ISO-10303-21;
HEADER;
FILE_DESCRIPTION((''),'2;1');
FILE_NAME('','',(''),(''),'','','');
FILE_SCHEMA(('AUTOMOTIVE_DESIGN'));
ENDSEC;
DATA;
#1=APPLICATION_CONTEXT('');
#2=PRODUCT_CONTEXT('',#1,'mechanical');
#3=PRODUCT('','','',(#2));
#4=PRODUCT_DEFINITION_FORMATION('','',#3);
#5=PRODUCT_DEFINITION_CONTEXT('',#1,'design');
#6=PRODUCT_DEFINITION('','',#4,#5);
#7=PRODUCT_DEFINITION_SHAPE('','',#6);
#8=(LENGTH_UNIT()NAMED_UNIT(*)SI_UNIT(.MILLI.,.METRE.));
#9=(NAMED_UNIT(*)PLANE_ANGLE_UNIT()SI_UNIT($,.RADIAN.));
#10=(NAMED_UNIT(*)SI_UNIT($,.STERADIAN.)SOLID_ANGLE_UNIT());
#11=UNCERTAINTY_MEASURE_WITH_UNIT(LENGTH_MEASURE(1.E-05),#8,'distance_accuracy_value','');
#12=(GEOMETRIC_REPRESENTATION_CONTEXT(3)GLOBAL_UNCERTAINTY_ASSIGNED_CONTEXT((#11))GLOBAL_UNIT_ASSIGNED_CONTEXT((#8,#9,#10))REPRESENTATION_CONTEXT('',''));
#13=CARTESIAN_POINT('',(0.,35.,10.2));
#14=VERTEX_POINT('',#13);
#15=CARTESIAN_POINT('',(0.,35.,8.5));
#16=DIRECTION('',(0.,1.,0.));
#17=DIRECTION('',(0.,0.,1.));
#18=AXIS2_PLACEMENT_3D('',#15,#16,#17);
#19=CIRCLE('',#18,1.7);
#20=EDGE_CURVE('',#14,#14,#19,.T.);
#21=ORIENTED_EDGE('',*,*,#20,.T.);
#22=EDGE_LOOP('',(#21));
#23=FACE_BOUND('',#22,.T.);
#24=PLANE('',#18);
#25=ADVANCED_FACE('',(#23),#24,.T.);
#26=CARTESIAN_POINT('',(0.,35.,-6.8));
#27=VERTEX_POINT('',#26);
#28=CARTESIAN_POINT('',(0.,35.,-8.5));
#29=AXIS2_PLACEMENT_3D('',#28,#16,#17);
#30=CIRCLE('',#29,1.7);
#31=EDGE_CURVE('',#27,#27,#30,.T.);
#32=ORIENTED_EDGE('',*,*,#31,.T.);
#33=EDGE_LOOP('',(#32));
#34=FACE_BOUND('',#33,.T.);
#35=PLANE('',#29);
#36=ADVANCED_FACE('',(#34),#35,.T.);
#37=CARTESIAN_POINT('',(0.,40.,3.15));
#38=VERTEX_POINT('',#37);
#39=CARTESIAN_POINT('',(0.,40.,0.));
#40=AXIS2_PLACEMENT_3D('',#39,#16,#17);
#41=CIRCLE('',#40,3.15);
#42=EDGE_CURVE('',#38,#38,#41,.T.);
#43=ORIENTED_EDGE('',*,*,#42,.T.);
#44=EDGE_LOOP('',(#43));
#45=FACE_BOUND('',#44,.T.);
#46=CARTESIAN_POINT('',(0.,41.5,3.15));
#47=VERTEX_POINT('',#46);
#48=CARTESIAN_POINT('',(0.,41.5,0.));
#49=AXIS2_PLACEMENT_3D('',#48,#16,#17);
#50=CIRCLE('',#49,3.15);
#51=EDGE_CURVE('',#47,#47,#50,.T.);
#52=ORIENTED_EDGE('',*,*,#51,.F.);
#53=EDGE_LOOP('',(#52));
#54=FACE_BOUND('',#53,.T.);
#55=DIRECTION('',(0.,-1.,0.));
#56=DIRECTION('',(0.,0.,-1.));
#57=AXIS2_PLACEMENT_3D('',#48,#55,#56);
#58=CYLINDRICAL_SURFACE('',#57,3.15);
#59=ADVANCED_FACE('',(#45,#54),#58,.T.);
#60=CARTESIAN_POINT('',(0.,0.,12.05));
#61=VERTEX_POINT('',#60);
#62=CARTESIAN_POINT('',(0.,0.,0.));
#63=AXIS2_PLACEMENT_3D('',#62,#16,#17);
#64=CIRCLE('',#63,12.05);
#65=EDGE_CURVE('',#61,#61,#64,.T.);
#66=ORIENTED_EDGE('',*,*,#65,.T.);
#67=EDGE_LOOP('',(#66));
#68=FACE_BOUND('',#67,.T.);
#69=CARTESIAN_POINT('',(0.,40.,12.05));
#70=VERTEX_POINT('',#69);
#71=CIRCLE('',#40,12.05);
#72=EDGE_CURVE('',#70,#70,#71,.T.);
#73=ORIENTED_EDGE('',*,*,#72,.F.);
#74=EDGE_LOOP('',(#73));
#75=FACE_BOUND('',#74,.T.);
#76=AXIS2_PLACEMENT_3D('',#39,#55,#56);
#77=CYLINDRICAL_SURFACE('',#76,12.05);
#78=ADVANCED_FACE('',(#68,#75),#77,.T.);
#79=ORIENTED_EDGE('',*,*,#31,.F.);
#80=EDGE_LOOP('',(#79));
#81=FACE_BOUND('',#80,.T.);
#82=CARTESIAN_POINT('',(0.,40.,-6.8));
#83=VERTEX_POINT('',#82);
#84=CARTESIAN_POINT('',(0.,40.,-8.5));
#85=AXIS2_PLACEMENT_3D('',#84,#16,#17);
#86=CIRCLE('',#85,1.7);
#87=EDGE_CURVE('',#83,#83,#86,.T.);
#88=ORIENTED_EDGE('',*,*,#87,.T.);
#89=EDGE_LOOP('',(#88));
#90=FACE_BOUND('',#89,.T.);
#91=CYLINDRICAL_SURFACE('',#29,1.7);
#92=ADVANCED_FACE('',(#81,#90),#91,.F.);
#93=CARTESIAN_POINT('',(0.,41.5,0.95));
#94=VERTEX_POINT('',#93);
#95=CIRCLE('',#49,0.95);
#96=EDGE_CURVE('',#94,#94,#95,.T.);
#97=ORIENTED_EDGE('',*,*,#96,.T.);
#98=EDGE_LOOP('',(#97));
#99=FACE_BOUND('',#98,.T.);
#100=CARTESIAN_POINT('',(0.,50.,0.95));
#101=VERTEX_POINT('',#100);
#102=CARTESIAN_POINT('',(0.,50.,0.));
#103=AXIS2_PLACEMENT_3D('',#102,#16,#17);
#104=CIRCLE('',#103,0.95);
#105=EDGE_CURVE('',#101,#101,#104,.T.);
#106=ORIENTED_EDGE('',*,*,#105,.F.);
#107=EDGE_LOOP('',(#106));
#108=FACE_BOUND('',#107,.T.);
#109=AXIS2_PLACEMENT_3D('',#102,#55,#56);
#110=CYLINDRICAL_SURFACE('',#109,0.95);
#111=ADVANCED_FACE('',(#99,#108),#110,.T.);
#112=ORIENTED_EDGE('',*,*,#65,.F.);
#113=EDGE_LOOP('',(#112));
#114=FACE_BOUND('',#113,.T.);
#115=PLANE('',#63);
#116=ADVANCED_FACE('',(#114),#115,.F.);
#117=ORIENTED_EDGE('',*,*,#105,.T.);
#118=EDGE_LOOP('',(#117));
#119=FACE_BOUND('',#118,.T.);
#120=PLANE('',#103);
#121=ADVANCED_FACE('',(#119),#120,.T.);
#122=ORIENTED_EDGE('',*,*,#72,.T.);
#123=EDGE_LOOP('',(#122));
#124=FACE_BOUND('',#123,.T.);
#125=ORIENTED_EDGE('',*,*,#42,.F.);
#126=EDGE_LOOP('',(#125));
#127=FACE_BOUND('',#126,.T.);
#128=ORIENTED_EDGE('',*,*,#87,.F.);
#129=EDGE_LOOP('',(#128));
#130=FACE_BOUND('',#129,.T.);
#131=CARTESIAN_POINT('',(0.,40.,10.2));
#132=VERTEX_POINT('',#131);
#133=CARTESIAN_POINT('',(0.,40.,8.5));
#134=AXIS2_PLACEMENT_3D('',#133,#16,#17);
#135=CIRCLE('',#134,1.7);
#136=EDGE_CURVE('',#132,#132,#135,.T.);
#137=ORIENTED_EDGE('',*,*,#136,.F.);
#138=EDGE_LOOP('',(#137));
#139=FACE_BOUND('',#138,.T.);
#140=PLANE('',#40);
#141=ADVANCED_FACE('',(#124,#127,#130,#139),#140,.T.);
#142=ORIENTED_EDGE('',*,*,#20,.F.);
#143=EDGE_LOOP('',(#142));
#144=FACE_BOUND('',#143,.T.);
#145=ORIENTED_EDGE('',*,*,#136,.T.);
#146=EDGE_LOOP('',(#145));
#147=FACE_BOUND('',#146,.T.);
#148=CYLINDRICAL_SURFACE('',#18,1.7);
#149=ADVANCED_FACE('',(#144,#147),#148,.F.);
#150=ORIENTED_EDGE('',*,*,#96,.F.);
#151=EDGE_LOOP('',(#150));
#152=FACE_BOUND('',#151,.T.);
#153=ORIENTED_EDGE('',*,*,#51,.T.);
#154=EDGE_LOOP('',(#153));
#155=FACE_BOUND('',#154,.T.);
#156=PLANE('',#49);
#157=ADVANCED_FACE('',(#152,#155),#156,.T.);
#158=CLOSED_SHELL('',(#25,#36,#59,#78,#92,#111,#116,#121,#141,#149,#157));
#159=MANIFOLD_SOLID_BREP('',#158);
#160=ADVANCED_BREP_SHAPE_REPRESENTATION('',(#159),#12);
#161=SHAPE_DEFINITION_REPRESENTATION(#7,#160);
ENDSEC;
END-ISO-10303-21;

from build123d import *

# Parameters (mm, degrees)
SKETCH1_R           = 12.05
BOSS_EXTRUDE1_DEPTH = 40
SKETCH2_R           = 3.15
BOSS_EXTRUDE2_DEPTH = 1.5
SKETCH3_R           = 0.95
BOSS_EXTRUDE3_DEPTH = 8.5
SKETCH4_R           = 1.7
CUT_EXTRUDE1_DEPTH  = 5


with BuildPart() as part:
    # Sketch1 → Boss-Extrude1 (new body)
    with BuildSketch(Plane(origin=(0, 0, 0), x_dir=(1, 0, 0), z_dir=(0, 1, 0))):
        with Locations(Location((0, 0, 0), (0, 0, 270))):
            Circle(SKETCH1_R)
    extrude(amount=BOSS_EXTRUDE1_DEPTH)

    # Sketch2 → Boss-Extrude2 (add)
    with BuildSketch(Plane(origin=(0, 40, 0), x_dir=(1, 0, 0), z_dir=(0, 1, 0))):
        with Locations(Location((0, 0, 0), (0, 0, 270))):
            Circle(SKETCH2_R)
    extrude(amount=BOSS_EXTRUDE2_DEPTH)

    # Sketch3 → Boss-Extrude3 (add)
    with BuildSketch(Plane(origin=(0, 41.5, 0), x_dir=(1, 0, 0), z_dir=(0, 1, 0))):
        with Locations(Location((0, 0, 0), (0, 0, 270))):
            Circle(SKETCH3_R)
    extrude(amount=BOSS_EXTRUDE3_DEPTH)

    # Sketch4 → Cut-Extrude1 (cut)
    with BuildSketch(Plane(origin=(0, 40, 0), x_dir=(1, 0, 0), z_dir=(0, 1, 0))):
        with Locations(Location((0, 8.5, 0), (0, 0, 270))):
            Circle(SKETCH4_R)
        with Locations(Location((0, -8.5, 0), (0, 0, 270))):
            Circle(SKETCH4_R)
    extrude(amount=-CUT_EXTRUDE1_DEPTH, mode=Mode.SUBTRACT)


solid = part.part
